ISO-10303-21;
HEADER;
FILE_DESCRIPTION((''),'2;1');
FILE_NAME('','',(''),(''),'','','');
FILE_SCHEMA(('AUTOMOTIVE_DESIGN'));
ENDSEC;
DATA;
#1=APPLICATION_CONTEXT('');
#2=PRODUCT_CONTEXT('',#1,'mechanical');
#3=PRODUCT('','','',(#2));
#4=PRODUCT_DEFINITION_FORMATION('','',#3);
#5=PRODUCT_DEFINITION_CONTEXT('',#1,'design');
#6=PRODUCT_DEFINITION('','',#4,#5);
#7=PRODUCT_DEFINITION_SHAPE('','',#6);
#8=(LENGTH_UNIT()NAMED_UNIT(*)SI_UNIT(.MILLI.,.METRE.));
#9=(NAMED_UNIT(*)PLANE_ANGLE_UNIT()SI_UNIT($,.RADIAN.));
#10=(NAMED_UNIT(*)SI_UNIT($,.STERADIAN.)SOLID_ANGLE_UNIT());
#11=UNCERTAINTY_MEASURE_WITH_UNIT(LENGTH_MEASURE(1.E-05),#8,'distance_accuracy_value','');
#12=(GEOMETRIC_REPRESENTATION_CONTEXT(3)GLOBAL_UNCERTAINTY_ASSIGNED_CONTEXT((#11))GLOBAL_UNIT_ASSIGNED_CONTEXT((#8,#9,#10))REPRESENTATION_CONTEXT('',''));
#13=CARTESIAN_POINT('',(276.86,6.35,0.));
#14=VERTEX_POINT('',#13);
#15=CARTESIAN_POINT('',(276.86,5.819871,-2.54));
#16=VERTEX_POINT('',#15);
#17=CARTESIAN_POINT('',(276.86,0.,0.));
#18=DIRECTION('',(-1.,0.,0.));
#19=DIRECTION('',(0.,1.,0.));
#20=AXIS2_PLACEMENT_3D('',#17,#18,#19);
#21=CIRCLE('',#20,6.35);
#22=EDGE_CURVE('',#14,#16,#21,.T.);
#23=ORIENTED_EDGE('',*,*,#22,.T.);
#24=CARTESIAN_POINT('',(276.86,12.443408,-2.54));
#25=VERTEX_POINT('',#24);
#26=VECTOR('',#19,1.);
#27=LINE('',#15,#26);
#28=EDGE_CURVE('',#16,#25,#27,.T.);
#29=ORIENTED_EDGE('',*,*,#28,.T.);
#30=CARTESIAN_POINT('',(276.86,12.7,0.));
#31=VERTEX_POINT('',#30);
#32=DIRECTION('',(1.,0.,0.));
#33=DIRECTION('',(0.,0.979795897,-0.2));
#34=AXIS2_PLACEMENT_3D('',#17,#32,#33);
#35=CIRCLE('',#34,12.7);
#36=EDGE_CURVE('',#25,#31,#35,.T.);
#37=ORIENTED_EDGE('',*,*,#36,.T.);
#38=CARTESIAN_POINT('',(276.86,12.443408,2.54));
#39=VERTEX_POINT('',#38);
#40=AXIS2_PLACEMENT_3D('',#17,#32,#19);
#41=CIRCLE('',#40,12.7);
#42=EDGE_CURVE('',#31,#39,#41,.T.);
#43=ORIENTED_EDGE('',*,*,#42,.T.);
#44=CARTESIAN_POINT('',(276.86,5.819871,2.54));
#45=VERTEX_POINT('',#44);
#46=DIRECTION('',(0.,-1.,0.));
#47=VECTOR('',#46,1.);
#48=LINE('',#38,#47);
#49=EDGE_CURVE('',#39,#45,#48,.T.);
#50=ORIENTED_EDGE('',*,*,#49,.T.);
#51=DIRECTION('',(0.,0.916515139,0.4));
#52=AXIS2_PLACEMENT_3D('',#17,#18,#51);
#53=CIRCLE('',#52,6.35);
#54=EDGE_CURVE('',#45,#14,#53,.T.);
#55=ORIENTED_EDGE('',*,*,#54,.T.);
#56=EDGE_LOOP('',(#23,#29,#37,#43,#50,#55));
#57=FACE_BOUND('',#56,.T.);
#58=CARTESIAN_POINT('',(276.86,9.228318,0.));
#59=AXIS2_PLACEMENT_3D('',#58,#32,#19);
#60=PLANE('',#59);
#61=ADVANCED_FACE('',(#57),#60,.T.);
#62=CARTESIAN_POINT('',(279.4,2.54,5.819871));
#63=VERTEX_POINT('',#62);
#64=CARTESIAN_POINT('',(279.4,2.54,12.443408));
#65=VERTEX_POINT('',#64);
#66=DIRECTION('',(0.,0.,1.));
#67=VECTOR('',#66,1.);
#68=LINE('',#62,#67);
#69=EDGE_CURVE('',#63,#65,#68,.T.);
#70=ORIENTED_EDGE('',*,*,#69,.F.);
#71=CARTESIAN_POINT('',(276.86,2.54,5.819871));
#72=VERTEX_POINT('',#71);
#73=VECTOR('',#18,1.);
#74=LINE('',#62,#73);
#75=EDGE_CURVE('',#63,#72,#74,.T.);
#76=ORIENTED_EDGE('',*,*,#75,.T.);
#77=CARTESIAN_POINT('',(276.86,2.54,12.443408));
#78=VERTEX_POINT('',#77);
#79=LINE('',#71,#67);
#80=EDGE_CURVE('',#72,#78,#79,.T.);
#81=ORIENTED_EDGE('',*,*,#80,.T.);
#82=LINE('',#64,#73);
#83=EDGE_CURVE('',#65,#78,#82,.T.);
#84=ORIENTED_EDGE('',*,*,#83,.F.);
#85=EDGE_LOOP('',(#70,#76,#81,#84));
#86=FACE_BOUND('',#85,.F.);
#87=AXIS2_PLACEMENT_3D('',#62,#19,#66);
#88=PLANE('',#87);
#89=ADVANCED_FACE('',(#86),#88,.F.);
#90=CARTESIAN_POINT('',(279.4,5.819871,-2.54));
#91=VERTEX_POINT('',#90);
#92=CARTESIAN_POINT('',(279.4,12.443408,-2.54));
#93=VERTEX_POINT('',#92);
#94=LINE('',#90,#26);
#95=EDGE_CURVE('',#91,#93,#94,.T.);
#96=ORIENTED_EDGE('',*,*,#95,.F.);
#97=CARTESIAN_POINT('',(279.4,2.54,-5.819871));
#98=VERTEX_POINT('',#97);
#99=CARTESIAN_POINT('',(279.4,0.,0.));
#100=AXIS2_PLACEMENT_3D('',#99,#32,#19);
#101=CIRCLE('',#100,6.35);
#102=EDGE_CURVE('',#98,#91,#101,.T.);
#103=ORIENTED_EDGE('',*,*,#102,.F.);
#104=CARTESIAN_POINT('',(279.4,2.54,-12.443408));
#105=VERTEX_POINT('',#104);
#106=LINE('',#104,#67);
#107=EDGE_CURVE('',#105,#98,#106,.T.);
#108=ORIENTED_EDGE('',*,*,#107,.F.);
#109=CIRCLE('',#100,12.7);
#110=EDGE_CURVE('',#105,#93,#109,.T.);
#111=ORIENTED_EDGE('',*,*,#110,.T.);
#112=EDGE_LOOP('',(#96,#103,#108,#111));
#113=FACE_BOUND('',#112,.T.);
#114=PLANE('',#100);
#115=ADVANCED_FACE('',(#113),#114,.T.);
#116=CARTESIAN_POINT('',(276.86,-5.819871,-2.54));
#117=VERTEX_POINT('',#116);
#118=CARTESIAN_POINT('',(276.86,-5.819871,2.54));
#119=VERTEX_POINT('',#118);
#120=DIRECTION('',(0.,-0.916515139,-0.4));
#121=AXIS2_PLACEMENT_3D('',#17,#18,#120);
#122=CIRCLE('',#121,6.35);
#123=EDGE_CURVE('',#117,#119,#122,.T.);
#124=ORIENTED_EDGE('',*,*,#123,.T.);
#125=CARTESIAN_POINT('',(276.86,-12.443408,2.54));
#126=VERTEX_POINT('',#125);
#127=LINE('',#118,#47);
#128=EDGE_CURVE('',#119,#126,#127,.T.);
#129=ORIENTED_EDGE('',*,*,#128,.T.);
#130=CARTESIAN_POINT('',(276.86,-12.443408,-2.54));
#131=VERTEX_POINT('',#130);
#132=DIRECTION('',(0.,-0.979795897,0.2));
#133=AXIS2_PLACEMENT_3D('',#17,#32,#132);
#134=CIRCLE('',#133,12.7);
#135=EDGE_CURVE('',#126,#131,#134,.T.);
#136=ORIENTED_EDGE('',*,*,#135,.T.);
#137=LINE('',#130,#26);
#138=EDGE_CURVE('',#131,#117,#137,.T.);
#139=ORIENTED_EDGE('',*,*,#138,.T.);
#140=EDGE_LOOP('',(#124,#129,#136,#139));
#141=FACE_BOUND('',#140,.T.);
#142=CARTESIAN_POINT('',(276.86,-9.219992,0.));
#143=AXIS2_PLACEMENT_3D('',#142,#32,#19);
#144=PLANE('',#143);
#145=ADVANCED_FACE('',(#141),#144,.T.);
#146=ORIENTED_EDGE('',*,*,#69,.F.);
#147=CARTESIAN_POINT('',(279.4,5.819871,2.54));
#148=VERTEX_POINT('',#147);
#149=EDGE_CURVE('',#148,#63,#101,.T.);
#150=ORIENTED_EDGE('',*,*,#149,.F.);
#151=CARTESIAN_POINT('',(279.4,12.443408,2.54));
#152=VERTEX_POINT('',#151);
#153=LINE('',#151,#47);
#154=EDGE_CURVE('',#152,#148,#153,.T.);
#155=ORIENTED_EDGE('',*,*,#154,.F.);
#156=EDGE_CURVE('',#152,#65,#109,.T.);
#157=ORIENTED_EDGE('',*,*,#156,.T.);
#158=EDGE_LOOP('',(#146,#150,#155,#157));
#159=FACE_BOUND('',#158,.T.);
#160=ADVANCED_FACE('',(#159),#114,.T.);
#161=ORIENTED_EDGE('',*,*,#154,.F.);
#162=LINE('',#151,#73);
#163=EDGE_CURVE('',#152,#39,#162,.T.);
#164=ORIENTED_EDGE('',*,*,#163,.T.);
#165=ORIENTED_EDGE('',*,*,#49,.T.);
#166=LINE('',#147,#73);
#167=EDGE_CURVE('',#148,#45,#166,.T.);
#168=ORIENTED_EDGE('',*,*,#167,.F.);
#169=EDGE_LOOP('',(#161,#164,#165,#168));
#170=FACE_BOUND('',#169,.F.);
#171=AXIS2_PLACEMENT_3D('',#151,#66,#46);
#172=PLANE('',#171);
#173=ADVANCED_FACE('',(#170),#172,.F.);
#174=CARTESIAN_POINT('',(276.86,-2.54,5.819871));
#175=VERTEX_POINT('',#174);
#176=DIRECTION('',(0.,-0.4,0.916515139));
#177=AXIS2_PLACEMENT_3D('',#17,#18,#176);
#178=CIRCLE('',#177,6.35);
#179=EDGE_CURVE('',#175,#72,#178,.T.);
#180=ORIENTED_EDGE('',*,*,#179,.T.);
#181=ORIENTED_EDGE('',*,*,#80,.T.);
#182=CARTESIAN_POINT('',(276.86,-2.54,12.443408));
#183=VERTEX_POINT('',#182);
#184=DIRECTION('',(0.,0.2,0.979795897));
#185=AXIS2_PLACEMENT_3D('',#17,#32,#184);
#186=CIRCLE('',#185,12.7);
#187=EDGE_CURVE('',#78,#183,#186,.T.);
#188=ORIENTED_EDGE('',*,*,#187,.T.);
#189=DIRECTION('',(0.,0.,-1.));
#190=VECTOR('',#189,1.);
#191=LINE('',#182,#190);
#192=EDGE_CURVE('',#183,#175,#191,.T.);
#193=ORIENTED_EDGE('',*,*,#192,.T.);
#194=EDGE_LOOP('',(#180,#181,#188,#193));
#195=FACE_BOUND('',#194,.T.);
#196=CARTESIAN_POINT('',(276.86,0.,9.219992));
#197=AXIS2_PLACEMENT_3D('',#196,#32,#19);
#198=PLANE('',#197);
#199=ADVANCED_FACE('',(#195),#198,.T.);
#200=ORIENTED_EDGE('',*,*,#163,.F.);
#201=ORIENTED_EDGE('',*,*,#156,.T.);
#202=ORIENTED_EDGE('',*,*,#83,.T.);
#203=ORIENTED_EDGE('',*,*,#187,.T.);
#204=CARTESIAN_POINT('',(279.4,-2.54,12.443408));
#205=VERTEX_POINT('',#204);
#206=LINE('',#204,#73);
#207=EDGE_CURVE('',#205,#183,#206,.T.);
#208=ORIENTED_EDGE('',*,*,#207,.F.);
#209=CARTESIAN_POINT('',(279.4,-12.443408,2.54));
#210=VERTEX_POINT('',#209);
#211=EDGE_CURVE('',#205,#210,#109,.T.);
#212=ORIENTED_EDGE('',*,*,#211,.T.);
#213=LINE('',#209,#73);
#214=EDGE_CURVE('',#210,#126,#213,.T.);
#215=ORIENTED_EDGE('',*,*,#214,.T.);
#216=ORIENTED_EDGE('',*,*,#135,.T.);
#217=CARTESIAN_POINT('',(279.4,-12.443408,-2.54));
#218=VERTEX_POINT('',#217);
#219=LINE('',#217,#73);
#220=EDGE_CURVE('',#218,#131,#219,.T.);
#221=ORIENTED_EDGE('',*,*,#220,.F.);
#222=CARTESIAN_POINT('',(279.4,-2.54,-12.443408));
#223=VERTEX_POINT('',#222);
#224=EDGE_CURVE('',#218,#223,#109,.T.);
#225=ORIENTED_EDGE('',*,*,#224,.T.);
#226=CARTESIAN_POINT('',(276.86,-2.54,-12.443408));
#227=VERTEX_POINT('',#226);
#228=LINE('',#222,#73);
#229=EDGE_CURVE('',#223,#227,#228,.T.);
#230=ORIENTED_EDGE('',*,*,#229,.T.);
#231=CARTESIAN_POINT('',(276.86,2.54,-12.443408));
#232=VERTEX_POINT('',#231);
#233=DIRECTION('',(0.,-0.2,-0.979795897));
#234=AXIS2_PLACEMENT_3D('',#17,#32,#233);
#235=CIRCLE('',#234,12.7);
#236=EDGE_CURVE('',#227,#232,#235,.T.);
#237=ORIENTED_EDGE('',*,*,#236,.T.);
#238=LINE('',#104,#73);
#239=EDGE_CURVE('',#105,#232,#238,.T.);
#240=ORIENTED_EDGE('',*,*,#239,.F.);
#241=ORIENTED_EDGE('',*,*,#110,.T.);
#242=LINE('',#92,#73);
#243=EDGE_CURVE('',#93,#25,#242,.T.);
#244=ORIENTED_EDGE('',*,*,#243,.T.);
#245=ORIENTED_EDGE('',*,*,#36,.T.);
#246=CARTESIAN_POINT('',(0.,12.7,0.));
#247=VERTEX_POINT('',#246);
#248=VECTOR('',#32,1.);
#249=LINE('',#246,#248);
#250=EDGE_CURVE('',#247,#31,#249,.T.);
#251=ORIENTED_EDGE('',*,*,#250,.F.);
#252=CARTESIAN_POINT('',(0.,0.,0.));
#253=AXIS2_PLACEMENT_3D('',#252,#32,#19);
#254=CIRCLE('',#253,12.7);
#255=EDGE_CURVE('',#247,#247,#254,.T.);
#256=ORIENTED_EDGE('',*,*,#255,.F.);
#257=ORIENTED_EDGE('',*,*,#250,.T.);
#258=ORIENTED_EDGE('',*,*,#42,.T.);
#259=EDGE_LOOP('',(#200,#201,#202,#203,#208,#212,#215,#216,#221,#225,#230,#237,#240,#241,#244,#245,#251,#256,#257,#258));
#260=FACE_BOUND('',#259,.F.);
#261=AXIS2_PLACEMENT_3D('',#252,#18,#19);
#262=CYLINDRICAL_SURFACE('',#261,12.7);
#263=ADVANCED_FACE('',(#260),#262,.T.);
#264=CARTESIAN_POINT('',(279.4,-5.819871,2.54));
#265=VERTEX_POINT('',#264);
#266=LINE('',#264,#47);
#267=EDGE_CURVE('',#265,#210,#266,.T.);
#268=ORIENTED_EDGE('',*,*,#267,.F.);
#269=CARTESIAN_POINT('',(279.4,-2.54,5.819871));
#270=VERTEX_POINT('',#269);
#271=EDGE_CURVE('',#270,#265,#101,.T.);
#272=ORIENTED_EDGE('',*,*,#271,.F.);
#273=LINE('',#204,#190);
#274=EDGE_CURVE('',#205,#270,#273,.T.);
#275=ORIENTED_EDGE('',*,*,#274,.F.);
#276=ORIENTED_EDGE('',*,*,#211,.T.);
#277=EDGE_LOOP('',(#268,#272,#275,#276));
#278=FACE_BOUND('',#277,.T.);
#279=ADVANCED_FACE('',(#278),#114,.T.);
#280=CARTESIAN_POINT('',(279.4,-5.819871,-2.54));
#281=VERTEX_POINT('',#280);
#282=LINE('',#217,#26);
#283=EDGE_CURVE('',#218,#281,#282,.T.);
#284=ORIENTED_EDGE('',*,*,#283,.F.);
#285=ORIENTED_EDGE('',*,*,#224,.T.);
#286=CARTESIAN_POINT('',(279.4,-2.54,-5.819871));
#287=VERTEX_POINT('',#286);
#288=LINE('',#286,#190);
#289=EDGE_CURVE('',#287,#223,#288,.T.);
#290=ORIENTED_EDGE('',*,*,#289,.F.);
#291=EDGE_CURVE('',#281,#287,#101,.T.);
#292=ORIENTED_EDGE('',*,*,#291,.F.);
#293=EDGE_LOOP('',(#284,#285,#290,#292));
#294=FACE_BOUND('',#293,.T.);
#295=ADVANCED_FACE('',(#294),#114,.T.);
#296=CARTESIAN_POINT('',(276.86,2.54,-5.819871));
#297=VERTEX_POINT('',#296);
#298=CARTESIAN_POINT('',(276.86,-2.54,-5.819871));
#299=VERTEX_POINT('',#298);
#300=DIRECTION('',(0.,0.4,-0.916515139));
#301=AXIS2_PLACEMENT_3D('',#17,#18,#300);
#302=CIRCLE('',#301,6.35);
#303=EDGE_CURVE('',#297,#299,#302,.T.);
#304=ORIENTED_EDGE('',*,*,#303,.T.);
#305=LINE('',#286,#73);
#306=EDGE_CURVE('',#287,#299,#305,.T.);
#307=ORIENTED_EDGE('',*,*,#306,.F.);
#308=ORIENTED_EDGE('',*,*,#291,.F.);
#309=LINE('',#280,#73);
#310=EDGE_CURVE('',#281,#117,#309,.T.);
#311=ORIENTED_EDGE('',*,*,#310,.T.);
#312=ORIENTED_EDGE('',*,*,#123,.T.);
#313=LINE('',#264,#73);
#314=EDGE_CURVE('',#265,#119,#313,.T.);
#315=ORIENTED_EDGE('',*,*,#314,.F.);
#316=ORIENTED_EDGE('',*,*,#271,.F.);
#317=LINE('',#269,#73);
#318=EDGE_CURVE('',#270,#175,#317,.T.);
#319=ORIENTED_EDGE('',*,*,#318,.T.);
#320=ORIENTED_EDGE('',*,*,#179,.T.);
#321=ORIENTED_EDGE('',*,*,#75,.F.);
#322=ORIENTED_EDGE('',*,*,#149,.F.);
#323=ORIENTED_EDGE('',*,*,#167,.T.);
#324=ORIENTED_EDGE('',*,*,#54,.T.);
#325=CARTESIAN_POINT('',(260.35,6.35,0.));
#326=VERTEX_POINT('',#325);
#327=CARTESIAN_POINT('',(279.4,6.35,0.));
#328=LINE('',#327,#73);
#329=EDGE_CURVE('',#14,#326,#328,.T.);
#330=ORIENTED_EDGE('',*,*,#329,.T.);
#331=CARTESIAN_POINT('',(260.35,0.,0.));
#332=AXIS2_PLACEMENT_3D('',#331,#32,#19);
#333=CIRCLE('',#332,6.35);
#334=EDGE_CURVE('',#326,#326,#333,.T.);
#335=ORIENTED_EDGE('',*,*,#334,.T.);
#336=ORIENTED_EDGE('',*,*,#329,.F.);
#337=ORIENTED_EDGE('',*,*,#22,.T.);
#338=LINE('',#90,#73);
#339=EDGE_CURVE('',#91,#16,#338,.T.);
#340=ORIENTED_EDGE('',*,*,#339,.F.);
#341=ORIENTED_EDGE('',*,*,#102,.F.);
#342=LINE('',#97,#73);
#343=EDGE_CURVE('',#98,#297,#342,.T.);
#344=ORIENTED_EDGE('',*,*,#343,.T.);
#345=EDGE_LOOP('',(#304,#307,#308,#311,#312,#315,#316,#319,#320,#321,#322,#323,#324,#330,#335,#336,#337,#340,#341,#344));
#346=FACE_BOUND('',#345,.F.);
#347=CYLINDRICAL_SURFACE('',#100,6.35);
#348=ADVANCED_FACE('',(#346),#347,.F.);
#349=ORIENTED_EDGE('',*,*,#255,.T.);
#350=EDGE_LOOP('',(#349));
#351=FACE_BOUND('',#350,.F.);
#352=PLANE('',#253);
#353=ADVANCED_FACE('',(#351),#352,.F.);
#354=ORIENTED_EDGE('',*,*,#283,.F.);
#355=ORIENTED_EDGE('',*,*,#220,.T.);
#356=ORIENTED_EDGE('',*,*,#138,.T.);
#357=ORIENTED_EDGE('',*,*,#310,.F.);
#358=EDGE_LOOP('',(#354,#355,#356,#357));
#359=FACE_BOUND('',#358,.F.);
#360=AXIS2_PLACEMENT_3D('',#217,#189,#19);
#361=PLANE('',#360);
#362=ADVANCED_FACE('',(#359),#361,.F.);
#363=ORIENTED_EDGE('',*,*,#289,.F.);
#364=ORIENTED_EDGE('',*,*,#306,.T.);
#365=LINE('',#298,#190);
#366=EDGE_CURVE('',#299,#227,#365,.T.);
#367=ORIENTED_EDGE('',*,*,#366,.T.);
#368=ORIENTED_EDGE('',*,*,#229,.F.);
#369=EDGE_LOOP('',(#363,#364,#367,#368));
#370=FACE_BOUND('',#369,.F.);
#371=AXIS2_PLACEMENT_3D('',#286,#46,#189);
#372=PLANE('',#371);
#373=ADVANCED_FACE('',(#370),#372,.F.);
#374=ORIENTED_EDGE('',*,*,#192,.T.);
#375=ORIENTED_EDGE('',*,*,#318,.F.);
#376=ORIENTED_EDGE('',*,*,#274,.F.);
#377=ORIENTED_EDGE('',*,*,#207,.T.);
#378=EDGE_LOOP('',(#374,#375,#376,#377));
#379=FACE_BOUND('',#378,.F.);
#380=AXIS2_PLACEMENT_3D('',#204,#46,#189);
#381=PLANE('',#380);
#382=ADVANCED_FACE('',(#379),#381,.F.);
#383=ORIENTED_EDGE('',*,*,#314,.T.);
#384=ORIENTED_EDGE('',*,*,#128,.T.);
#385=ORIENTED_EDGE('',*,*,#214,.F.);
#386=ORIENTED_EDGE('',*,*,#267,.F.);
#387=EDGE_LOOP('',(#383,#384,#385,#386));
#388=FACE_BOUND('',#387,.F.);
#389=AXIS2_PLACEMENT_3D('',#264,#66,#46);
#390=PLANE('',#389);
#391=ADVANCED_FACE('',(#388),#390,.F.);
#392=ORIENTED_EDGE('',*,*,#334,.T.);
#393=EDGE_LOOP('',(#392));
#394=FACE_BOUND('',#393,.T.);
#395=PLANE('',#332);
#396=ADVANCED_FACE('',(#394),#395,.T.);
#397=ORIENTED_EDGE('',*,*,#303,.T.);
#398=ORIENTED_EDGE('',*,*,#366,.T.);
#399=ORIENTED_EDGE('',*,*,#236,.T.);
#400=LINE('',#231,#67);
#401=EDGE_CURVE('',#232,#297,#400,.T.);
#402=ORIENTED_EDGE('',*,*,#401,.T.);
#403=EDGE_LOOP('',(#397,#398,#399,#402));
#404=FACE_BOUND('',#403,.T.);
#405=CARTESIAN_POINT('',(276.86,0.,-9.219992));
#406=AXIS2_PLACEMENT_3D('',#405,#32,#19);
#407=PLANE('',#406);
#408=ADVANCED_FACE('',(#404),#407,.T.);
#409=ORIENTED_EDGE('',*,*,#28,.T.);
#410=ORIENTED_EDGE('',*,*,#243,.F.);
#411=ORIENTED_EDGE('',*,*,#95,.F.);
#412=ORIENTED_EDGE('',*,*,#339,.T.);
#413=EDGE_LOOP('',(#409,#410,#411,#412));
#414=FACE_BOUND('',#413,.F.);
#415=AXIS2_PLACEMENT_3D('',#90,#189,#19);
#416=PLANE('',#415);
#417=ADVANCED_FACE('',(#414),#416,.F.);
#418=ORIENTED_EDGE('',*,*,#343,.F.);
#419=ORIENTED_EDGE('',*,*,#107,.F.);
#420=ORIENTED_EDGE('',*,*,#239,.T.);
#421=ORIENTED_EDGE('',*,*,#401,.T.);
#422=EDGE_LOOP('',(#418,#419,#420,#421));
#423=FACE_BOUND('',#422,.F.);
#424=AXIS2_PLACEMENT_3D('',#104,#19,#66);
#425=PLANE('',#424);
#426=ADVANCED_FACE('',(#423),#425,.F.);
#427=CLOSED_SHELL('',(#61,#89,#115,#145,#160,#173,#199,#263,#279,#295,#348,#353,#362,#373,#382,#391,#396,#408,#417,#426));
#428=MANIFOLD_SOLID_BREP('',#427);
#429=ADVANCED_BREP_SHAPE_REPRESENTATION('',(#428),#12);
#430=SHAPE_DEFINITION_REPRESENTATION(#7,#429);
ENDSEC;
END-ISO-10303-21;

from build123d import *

# Parameters (mm, degrees)
F0_R     = 12.7
F1_DEPTH = 279.4
F2_R     = 6.35
F3_DEPTH = 19.05
F5_DEPTH = 2.54


with BuildPart() as f1:
    # F0 (on Right) → F1 (new body)
    with BuildSketch(Plane.YZ):
        Circle(F0_R)
    extrude(amount=F1_DEPTH)

    # F2 (on face) → F3 (cut)
    with BuildSketch(Plane.YZ.offset(279.4)):
        Circle(F2_R)
    extrude(amount=-F3_DEPTH, mode=Mode.SUBTRACT)

    # F4 (on face) → F5 (cut)
    with BuildSketch(Plane.YZ.offset(279.4)):
        with BuildLine():
            ThreePointArc((2.54, 12.4434078933), (0, 12.7), (-2.54, 12.4434078933))
            Line((-2.54, 12.4434078933), (-2.54, 5.8198711326))
            ThreePointArc((-2.54, 5.8198711326), (0, 6.35), (2.54, 5.8198711326))
            Line((2.54, 5.8198711326), (2.54, 12.4434078933))
        make_face()
        with BuildLine():
            ThreePointArc((-12.4434078933, 2.54), (-12.7, 0), (-12.4434078933, -2.54))
            Line((-12.4434078933, -2.54), (-5.8198711326, -2.54))
            ThreePointArc((-5.8198711326, -2.54), (-6.35, 0), (-5.8198711326, 2.54))
            Line((-5.8198711326, 2.54), (-12.4434078933, 2.54))
        make_face()
        with BuildLine():
            Line((5.8198711326, -2.54), (12.4434078933, -2.54))
            ThreePointArc((12.4434078933, -2.54), (12.6356891432, -1.2764638175), (12.7, 0))
            ThreePointArc((12.7, 0), (12.6356891432, 1.2764638175), (12.4434078933, 2.54))
            Line((12.4434078933, 2.54), (5.8198711326, 2.54))
            ThreePointArc((5.8198711326, 2.54), (6.2160550871, 1.2973662374), (6.35, 0))
            ThreePointArc((6.35, 0), (6.2160550871, -1.2973662374), (5.8198711326, -2.54))
        make_face()
        with BuildLine():
            Line((-2.54, -5.8198711326), (-2.54, -12.4434078933))
            ThreePointArc((-2.54, -12.4434078933), (0, -12.7), (2.54, -12.4434078933))
            Line((2.54, -12.4434078933), (2.54, -5.8198711326))
            ThreePointArc((2.54, -5.8198711326), (0, -6.35), (-2.54, -5.8198711326))
        make_face()
    extrude(amount=-F5_DEPTH, mode=Mode.SUBTRACT)


solid = f1.part
